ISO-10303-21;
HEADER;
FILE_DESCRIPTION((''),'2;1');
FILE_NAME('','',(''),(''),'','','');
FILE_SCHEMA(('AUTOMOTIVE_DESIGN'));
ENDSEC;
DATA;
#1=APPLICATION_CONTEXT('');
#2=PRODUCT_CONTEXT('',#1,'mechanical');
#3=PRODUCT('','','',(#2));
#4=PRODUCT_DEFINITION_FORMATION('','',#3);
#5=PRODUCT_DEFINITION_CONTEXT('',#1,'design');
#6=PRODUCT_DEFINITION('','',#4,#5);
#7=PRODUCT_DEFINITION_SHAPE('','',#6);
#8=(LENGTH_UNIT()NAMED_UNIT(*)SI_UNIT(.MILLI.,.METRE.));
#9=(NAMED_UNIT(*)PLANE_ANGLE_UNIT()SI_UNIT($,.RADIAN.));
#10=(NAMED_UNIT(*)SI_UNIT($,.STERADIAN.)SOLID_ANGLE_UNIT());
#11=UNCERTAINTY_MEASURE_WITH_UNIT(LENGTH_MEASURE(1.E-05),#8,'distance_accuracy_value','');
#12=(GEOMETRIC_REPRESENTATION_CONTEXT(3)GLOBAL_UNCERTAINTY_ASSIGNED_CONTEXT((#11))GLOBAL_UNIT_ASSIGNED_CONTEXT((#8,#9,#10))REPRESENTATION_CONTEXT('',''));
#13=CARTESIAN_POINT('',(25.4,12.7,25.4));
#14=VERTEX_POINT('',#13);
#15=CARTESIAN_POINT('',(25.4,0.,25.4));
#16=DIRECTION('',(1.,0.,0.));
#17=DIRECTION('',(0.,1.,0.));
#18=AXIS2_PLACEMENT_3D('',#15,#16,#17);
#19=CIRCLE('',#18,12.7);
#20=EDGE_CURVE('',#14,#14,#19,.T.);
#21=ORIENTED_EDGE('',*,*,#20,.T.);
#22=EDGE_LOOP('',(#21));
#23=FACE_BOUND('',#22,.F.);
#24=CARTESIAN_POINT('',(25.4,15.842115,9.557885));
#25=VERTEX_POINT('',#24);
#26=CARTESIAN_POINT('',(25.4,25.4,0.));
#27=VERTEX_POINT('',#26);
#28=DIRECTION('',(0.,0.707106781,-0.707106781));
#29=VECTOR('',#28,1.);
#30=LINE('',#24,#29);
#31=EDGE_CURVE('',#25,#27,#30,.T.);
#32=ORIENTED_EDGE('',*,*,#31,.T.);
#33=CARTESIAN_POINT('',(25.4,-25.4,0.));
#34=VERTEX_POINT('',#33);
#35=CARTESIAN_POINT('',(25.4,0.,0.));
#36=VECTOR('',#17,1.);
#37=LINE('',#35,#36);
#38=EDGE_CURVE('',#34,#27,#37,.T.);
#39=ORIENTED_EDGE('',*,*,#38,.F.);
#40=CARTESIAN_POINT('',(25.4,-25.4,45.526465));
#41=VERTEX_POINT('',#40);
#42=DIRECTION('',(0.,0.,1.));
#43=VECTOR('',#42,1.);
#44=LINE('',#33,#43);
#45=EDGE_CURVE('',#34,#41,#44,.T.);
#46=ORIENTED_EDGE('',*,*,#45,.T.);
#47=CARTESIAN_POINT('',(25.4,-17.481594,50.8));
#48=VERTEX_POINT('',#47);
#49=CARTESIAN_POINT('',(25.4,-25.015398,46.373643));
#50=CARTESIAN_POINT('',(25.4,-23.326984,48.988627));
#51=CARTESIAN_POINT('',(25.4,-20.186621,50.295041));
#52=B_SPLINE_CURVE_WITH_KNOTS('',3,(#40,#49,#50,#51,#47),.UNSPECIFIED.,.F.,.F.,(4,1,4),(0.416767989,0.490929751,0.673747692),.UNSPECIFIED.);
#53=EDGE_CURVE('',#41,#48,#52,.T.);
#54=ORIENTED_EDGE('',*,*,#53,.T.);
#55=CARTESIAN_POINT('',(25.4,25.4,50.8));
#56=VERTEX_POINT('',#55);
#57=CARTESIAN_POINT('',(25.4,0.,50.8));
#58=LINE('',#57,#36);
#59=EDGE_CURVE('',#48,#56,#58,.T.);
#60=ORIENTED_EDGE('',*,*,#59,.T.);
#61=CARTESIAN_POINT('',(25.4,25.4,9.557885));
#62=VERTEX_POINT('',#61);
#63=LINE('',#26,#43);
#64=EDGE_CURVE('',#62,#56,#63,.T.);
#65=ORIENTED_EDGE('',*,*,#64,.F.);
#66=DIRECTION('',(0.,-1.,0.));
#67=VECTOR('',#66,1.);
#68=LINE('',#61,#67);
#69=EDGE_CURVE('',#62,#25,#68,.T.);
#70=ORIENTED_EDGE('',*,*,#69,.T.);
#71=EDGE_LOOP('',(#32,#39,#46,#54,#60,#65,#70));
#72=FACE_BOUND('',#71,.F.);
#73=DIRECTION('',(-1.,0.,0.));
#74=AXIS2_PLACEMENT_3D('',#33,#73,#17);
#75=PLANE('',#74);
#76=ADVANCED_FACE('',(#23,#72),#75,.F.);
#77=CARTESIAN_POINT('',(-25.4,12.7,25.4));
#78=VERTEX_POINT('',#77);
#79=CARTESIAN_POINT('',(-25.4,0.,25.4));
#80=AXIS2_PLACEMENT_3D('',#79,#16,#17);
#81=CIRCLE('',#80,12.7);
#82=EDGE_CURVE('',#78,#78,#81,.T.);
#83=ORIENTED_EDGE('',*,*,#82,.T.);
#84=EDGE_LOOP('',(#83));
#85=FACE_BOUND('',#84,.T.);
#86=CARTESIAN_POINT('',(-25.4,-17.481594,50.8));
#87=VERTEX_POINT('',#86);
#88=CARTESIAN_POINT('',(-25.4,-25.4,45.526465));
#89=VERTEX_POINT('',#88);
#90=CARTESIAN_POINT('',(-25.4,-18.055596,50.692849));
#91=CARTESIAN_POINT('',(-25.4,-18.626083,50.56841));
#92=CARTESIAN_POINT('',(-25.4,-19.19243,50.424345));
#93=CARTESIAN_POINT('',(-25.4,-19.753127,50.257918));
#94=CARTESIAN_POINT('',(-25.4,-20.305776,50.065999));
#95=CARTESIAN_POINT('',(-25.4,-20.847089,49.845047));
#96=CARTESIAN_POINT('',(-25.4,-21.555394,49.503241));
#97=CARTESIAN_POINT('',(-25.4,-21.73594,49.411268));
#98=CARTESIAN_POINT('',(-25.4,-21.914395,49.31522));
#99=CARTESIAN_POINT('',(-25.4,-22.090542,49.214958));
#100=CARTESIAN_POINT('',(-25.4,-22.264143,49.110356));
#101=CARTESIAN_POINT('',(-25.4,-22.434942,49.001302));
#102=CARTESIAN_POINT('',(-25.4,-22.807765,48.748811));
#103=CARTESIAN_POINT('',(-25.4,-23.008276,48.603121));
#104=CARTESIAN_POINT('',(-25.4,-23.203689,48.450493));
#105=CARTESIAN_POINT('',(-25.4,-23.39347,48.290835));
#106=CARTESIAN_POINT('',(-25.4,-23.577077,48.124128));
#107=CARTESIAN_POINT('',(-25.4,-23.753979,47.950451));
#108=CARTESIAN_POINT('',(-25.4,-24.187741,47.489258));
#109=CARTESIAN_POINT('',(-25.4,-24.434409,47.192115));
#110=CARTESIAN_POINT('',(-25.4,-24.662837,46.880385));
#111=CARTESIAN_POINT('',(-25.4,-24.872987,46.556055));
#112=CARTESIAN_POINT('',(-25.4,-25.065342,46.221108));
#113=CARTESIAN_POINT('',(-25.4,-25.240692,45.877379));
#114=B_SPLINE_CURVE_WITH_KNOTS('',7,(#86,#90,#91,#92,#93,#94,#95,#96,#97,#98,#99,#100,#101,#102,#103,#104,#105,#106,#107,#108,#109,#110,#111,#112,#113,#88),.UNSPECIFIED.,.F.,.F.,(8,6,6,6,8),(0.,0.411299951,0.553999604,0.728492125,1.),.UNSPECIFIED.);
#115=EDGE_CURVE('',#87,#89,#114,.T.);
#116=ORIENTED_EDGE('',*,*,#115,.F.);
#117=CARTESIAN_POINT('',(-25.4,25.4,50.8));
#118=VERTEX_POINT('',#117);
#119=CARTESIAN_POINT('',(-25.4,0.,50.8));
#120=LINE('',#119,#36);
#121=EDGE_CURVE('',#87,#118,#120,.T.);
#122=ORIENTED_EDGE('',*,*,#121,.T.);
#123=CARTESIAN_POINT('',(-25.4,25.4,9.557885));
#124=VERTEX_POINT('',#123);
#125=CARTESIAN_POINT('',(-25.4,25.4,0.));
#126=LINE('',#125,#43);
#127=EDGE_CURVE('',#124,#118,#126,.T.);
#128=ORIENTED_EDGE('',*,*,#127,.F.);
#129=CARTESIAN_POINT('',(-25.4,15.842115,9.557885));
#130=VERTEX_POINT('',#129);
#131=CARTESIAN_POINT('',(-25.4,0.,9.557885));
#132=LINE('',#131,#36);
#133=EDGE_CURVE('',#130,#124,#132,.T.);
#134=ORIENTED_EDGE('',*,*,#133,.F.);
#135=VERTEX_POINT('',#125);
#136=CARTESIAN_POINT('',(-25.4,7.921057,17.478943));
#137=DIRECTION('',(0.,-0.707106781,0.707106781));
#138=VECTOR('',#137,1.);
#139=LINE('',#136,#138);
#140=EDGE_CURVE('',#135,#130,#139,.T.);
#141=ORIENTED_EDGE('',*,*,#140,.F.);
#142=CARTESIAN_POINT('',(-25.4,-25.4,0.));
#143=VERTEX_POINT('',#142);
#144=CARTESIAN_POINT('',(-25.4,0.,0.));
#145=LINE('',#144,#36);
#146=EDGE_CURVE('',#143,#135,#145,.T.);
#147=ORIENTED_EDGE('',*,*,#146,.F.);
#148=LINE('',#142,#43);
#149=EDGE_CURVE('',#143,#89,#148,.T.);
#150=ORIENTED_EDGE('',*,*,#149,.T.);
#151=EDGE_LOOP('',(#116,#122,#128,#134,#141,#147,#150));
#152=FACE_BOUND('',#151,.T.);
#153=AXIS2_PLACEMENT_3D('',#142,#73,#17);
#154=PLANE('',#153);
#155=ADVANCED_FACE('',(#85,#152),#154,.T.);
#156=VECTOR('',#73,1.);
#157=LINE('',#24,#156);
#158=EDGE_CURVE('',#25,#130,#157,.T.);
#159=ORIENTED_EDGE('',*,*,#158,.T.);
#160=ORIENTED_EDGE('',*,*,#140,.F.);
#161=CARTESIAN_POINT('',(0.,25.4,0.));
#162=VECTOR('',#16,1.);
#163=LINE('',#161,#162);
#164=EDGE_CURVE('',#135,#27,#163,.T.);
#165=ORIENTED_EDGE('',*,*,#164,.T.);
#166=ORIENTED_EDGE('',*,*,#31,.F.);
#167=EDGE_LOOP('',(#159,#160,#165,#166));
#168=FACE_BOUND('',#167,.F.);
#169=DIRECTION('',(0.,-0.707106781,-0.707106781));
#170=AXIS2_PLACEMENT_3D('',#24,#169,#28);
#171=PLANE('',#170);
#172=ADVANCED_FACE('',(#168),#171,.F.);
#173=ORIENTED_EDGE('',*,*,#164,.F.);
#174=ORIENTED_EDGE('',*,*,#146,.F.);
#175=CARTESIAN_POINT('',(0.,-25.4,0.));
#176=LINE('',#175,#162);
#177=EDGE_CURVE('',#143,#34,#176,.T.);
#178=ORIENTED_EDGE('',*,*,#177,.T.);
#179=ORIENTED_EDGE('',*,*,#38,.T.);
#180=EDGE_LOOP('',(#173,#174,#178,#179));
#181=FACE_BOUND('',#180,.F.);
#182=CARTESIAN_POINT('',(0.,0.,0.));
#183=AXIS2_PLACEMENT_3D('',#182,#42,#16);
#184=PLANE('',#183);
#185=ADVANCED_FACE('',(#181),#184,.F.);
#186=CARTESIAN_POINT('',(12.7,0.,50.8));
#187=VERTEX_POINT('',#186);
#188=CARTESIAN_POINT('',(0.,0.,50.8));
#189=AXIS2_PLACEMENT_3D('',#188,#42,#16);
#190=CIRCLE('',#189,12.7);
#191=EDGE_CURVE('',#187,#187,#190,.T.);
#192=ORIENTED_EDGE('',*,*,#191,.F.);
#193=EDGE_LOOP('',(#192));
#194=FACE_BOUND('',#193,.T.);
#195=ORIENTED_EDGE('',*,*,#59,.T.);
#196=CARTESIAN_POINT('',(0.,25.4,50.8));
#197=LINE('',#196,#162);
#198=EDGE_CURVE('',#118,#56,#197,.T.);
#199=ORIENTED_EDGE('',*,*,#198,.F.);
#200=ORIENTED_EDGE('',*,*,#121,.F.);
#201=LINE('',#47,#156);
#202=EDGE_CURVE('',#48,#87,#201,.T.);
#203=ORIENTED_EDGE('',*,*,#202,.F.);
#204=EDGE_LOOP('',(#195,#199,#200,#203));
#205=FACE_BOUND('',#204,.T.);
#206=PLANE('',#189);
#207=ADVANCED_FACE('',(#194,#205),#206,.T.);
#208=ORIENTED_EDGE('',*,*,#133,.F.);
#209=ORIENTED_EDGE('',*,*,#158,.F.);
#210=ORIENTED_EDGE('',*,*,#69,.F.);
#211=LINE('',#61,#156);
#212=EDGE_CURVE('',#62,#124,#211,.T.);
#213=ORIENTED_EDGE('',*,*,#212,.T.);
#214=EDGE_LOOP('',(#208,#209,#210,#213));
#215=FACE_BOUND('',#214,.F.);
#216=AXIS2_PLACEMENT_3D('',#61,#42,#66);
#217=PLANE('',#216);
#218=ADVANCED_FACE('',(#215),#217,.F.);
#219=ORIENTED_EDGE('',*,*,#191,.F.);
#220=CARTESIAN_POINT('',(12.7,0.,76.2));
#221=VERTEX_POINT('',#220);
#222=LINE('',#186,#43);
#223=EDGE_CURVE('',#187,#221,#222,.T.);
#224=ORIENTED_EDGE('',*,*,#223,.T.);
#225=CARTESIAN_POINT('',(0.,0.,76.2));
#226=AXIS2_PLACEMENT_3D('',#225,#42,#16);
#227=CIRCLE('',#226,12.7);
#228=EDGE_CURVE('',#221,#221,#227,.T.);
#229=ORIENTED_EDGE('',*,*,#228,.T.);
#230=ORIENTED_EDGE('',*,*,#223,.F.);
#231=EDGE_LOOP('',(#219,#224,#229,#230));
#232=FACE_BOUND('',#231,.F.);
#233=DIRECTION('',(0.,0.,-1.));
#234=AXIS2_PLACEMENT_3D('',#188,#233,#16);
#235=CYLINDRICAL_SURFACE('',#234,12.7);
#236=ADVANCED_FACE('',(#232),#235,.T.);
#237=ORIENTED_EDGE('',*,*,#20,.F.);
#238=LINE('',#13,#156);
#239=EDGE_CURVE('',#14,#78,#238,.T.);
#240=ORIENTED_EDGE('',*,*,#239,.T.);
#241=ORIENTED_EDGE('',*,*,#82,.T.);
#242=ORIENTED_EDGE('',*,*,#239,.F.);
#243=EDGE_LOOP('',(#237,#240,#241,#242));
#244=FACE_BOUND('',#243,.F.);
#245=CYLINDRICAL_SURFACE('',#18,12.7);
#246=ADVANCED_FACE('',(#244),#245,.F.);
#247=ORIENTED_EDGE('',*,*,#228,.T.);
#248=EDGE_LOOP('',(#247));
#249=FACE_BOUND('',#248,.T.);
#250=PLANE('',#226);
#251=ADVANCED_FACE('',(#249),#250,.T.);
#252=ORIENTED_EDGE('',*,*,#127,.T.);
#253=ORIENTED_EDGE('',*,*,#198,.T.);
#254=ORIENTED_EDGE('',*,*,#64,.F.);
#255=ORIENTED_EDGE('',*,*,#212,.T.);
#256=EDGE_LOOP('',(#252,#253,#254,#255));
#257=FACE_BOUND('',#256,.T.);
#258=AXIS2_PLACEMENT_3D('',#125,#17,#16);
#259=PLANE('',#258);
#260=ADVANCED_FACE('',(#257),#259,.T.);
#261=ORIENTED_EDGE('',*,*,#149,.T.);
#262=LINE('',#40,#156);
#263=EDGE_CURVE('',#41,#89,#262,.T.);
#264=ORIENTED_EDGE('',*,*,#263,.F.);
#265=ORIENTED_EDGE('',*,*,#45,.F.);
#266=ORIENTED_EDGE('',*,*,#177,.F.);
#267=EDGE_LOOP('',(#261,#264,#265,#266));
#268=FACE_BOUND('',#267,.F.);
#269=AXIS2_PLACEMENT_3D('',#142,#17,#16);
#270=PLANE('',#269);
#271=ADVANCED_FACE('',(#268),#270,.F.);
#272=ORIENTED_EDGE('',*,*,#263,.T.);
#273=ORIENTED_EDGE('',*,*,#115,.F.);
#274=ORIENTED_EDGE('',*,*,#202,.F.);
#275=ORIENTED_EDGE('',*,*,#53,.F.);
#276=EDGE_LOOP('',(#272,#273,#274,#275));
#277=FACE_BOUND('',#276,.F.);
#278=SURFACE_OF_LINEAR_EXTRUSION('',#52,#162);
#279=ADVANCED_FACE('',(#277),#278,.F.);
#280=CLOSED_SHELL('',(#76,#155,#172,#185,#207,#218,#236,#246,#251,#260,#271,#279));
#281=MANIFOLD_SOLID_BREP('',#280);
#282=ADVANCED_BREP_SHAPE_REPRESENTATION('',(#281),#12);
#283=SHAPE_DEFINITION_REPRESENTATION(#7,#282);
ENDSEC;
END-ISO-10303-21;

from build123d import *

# Parameters (mm, degrees)
F0_W     = 50.8
F0_H     = 50.8
F1_DEPTH = 50.8
F2_R     = 12.7
F3_DEPTH = 25.4
F4_R     = 12.7
F5_DEPTH = 99.06
F7_DEPTH = 60.452
F9_DEPTH = 52.7812


with BuildPart() as f1:
    # F0 (on Top) → F1 (new body)
    with BuildSketch(Plane.XY):
        Rectangle(F0_W, F0_H)
    extrude(amount=F1_DEPTH)

    # F2 (on face) → F3 (join)
    with BuildSketch(Plane.XY.offset(50.8)):
        Circle(F2_R)
    extrude(amount=F3_DEPTH)

    # F4 (on face) → F5 (cut)
    with BuildSketch(Plane.YZ.offset(25.4)):
        with Locations((0, 25.4)):
            Circle(F4_R)
    extrude(amount=-F5_DEPTH, mode=Mode.SUBTRACT)

    # F6 (on face) → F7 (cut)
    with BuildSketch(Plane.YZ.offset(25.4)):
        Polygon((25.4, 9.5578852713), (15.8421147287, 9.5578852713), (25.4, 0), align=None)
    extrude(amount=-F7_DEPTH, mode=Mode.SUBTRACT)

    # F8 (on face) → F9 (cut)
    with BuildSketch(Plane.YZ.offset(25.4)):
        with BuildLine():
            Line((-25.4, 50.8), (-25.4, 45.5264649071))
            add(Edge.make_bspline(
                [(-25.4, 45.5264649071), (-25.015397773, 46.373642787), (-23.3269839792, 48.9886268104), (-20.1866213816, 50.2950406875), (-17.4815941819, 50.8)],
                knots=[0.4167679889, 0.4167679889, 0.4167679889, 0.4167679889, 0.4909297507, 0.6737476918, 0.6737476918, 0.6737476918, 0.6737476918], degree=3))
            Line((-17.4815941819, 50.8), (-25.4, 50.8))
        make_face()
    extrude(amount=-F9_DEPTH, mode=Mode.SUBTRACT)


solid = f1.part
